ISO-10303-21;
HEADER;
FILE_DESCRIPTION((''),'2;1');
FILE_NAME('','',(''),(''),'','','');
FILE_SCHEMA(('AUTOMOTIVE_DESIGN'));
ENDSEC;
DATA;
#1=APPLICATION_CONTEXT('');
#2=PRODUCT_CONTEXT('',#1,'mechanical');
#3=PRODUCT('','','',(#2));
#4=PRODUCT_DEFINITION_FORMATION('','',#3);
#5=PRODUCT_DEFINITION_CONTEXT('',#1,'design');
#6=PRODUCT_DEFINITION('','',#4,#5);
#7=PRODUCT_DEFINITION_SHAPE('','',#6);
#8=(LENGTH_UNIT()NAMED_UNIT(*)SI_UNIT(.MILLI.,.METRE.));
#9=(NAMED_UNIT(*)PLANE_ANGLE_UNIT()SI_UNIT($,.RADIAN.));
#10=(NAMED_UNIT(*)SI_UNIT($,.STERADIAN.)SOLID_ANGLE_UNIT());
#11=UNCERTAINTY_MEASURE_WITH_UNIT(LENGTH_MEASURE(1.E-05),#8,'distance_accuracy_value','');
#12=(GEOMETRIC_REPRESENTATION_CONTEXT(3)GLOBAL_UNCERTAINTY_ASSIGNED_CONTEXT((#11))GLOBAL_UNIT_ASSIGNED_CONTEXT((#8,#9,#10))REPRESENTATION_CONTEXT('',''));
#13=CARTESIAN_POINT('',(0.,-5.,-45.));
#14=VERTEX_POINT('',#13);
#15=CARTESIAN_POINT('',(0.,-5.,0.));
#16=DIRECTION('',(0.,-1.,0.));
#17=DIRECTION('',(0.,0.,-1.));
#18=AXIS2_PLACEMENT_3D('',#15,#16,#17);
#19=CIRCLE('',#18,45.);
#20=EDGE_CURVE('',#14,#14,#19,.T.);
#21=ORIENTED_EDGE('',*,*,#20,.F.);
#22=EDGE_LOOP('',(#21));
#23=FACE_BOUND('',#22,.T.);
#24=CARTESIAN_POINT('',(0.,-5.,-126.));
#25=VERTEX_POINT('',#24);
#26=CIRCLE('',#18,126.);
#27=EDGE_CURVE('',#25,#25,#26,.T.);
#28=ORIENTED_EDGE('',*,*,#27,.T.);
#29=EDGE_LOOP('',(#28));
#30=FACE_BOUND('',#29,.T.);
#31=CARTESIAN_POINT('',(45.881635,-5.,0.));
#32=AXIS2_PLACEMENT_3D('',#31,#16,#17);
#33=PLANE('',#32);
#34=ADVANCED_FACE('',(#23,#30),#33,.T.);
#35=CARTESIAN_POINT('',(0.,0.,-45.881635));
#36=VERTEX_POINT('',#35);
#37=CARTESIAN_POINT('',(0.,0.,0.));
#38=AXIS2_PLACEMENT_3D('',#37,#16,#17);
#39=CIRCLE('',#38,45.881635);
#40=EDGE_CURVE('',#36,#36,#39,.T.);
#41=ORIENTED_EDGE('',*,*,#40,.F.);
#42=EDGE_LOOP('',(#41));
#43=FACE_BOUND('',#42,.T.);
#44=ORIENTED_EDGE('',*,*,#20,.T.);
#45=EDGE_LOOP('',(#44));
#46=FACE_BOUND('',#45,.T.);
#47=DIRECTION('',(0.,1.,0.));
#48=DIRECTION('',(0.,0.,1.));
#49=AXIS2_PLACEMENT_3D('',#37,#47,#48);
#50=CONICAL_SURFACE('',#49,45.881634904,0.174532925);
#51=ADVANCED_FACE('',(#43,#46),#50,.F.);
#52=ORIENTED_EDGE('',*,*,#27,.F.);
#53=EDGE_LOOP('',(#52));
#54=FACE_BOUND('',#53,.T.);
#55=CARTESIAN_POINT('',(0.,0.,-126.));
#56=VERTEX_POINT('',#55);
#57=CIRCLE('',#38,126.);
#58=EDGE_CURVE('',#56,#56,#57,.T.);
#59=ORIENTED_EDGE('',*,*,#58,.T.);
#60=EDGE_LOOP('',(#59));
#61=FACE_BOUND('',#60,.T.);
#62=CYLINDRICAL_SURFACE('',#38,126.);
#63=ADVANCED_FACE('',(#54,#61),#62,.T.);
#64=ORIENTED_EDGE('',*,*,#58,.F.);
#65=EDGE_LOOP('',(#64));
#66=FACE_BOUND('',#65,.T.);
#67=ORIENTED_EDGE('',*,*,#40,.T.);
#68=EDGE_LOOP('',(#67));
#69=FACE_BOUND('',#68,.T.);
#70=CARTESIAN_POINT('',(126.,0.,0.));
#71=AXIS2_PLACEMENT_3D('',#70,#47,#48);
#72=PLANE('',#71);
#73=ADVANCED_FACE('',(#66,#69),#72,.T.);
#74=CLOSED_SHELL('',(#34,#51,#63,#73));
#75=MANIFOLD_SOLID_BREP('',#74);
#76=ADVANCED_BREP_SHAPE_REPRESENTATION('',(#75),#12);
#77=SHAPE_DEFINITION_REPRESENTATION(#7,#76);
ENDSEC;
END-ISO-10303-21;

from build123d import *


with BuildPart() as part:
    # Sketch1 → Revolve1 (revolve)
    with BuildSketch(Plane.XY):
        Polygon((45.881634904, -5), (126, -5), (126, 0), (45.881634904, 0), (45, -5), align=None)
    revolve(axis=Axis((0, 0, 0), (0, 1, 0)))


solid = part.part
